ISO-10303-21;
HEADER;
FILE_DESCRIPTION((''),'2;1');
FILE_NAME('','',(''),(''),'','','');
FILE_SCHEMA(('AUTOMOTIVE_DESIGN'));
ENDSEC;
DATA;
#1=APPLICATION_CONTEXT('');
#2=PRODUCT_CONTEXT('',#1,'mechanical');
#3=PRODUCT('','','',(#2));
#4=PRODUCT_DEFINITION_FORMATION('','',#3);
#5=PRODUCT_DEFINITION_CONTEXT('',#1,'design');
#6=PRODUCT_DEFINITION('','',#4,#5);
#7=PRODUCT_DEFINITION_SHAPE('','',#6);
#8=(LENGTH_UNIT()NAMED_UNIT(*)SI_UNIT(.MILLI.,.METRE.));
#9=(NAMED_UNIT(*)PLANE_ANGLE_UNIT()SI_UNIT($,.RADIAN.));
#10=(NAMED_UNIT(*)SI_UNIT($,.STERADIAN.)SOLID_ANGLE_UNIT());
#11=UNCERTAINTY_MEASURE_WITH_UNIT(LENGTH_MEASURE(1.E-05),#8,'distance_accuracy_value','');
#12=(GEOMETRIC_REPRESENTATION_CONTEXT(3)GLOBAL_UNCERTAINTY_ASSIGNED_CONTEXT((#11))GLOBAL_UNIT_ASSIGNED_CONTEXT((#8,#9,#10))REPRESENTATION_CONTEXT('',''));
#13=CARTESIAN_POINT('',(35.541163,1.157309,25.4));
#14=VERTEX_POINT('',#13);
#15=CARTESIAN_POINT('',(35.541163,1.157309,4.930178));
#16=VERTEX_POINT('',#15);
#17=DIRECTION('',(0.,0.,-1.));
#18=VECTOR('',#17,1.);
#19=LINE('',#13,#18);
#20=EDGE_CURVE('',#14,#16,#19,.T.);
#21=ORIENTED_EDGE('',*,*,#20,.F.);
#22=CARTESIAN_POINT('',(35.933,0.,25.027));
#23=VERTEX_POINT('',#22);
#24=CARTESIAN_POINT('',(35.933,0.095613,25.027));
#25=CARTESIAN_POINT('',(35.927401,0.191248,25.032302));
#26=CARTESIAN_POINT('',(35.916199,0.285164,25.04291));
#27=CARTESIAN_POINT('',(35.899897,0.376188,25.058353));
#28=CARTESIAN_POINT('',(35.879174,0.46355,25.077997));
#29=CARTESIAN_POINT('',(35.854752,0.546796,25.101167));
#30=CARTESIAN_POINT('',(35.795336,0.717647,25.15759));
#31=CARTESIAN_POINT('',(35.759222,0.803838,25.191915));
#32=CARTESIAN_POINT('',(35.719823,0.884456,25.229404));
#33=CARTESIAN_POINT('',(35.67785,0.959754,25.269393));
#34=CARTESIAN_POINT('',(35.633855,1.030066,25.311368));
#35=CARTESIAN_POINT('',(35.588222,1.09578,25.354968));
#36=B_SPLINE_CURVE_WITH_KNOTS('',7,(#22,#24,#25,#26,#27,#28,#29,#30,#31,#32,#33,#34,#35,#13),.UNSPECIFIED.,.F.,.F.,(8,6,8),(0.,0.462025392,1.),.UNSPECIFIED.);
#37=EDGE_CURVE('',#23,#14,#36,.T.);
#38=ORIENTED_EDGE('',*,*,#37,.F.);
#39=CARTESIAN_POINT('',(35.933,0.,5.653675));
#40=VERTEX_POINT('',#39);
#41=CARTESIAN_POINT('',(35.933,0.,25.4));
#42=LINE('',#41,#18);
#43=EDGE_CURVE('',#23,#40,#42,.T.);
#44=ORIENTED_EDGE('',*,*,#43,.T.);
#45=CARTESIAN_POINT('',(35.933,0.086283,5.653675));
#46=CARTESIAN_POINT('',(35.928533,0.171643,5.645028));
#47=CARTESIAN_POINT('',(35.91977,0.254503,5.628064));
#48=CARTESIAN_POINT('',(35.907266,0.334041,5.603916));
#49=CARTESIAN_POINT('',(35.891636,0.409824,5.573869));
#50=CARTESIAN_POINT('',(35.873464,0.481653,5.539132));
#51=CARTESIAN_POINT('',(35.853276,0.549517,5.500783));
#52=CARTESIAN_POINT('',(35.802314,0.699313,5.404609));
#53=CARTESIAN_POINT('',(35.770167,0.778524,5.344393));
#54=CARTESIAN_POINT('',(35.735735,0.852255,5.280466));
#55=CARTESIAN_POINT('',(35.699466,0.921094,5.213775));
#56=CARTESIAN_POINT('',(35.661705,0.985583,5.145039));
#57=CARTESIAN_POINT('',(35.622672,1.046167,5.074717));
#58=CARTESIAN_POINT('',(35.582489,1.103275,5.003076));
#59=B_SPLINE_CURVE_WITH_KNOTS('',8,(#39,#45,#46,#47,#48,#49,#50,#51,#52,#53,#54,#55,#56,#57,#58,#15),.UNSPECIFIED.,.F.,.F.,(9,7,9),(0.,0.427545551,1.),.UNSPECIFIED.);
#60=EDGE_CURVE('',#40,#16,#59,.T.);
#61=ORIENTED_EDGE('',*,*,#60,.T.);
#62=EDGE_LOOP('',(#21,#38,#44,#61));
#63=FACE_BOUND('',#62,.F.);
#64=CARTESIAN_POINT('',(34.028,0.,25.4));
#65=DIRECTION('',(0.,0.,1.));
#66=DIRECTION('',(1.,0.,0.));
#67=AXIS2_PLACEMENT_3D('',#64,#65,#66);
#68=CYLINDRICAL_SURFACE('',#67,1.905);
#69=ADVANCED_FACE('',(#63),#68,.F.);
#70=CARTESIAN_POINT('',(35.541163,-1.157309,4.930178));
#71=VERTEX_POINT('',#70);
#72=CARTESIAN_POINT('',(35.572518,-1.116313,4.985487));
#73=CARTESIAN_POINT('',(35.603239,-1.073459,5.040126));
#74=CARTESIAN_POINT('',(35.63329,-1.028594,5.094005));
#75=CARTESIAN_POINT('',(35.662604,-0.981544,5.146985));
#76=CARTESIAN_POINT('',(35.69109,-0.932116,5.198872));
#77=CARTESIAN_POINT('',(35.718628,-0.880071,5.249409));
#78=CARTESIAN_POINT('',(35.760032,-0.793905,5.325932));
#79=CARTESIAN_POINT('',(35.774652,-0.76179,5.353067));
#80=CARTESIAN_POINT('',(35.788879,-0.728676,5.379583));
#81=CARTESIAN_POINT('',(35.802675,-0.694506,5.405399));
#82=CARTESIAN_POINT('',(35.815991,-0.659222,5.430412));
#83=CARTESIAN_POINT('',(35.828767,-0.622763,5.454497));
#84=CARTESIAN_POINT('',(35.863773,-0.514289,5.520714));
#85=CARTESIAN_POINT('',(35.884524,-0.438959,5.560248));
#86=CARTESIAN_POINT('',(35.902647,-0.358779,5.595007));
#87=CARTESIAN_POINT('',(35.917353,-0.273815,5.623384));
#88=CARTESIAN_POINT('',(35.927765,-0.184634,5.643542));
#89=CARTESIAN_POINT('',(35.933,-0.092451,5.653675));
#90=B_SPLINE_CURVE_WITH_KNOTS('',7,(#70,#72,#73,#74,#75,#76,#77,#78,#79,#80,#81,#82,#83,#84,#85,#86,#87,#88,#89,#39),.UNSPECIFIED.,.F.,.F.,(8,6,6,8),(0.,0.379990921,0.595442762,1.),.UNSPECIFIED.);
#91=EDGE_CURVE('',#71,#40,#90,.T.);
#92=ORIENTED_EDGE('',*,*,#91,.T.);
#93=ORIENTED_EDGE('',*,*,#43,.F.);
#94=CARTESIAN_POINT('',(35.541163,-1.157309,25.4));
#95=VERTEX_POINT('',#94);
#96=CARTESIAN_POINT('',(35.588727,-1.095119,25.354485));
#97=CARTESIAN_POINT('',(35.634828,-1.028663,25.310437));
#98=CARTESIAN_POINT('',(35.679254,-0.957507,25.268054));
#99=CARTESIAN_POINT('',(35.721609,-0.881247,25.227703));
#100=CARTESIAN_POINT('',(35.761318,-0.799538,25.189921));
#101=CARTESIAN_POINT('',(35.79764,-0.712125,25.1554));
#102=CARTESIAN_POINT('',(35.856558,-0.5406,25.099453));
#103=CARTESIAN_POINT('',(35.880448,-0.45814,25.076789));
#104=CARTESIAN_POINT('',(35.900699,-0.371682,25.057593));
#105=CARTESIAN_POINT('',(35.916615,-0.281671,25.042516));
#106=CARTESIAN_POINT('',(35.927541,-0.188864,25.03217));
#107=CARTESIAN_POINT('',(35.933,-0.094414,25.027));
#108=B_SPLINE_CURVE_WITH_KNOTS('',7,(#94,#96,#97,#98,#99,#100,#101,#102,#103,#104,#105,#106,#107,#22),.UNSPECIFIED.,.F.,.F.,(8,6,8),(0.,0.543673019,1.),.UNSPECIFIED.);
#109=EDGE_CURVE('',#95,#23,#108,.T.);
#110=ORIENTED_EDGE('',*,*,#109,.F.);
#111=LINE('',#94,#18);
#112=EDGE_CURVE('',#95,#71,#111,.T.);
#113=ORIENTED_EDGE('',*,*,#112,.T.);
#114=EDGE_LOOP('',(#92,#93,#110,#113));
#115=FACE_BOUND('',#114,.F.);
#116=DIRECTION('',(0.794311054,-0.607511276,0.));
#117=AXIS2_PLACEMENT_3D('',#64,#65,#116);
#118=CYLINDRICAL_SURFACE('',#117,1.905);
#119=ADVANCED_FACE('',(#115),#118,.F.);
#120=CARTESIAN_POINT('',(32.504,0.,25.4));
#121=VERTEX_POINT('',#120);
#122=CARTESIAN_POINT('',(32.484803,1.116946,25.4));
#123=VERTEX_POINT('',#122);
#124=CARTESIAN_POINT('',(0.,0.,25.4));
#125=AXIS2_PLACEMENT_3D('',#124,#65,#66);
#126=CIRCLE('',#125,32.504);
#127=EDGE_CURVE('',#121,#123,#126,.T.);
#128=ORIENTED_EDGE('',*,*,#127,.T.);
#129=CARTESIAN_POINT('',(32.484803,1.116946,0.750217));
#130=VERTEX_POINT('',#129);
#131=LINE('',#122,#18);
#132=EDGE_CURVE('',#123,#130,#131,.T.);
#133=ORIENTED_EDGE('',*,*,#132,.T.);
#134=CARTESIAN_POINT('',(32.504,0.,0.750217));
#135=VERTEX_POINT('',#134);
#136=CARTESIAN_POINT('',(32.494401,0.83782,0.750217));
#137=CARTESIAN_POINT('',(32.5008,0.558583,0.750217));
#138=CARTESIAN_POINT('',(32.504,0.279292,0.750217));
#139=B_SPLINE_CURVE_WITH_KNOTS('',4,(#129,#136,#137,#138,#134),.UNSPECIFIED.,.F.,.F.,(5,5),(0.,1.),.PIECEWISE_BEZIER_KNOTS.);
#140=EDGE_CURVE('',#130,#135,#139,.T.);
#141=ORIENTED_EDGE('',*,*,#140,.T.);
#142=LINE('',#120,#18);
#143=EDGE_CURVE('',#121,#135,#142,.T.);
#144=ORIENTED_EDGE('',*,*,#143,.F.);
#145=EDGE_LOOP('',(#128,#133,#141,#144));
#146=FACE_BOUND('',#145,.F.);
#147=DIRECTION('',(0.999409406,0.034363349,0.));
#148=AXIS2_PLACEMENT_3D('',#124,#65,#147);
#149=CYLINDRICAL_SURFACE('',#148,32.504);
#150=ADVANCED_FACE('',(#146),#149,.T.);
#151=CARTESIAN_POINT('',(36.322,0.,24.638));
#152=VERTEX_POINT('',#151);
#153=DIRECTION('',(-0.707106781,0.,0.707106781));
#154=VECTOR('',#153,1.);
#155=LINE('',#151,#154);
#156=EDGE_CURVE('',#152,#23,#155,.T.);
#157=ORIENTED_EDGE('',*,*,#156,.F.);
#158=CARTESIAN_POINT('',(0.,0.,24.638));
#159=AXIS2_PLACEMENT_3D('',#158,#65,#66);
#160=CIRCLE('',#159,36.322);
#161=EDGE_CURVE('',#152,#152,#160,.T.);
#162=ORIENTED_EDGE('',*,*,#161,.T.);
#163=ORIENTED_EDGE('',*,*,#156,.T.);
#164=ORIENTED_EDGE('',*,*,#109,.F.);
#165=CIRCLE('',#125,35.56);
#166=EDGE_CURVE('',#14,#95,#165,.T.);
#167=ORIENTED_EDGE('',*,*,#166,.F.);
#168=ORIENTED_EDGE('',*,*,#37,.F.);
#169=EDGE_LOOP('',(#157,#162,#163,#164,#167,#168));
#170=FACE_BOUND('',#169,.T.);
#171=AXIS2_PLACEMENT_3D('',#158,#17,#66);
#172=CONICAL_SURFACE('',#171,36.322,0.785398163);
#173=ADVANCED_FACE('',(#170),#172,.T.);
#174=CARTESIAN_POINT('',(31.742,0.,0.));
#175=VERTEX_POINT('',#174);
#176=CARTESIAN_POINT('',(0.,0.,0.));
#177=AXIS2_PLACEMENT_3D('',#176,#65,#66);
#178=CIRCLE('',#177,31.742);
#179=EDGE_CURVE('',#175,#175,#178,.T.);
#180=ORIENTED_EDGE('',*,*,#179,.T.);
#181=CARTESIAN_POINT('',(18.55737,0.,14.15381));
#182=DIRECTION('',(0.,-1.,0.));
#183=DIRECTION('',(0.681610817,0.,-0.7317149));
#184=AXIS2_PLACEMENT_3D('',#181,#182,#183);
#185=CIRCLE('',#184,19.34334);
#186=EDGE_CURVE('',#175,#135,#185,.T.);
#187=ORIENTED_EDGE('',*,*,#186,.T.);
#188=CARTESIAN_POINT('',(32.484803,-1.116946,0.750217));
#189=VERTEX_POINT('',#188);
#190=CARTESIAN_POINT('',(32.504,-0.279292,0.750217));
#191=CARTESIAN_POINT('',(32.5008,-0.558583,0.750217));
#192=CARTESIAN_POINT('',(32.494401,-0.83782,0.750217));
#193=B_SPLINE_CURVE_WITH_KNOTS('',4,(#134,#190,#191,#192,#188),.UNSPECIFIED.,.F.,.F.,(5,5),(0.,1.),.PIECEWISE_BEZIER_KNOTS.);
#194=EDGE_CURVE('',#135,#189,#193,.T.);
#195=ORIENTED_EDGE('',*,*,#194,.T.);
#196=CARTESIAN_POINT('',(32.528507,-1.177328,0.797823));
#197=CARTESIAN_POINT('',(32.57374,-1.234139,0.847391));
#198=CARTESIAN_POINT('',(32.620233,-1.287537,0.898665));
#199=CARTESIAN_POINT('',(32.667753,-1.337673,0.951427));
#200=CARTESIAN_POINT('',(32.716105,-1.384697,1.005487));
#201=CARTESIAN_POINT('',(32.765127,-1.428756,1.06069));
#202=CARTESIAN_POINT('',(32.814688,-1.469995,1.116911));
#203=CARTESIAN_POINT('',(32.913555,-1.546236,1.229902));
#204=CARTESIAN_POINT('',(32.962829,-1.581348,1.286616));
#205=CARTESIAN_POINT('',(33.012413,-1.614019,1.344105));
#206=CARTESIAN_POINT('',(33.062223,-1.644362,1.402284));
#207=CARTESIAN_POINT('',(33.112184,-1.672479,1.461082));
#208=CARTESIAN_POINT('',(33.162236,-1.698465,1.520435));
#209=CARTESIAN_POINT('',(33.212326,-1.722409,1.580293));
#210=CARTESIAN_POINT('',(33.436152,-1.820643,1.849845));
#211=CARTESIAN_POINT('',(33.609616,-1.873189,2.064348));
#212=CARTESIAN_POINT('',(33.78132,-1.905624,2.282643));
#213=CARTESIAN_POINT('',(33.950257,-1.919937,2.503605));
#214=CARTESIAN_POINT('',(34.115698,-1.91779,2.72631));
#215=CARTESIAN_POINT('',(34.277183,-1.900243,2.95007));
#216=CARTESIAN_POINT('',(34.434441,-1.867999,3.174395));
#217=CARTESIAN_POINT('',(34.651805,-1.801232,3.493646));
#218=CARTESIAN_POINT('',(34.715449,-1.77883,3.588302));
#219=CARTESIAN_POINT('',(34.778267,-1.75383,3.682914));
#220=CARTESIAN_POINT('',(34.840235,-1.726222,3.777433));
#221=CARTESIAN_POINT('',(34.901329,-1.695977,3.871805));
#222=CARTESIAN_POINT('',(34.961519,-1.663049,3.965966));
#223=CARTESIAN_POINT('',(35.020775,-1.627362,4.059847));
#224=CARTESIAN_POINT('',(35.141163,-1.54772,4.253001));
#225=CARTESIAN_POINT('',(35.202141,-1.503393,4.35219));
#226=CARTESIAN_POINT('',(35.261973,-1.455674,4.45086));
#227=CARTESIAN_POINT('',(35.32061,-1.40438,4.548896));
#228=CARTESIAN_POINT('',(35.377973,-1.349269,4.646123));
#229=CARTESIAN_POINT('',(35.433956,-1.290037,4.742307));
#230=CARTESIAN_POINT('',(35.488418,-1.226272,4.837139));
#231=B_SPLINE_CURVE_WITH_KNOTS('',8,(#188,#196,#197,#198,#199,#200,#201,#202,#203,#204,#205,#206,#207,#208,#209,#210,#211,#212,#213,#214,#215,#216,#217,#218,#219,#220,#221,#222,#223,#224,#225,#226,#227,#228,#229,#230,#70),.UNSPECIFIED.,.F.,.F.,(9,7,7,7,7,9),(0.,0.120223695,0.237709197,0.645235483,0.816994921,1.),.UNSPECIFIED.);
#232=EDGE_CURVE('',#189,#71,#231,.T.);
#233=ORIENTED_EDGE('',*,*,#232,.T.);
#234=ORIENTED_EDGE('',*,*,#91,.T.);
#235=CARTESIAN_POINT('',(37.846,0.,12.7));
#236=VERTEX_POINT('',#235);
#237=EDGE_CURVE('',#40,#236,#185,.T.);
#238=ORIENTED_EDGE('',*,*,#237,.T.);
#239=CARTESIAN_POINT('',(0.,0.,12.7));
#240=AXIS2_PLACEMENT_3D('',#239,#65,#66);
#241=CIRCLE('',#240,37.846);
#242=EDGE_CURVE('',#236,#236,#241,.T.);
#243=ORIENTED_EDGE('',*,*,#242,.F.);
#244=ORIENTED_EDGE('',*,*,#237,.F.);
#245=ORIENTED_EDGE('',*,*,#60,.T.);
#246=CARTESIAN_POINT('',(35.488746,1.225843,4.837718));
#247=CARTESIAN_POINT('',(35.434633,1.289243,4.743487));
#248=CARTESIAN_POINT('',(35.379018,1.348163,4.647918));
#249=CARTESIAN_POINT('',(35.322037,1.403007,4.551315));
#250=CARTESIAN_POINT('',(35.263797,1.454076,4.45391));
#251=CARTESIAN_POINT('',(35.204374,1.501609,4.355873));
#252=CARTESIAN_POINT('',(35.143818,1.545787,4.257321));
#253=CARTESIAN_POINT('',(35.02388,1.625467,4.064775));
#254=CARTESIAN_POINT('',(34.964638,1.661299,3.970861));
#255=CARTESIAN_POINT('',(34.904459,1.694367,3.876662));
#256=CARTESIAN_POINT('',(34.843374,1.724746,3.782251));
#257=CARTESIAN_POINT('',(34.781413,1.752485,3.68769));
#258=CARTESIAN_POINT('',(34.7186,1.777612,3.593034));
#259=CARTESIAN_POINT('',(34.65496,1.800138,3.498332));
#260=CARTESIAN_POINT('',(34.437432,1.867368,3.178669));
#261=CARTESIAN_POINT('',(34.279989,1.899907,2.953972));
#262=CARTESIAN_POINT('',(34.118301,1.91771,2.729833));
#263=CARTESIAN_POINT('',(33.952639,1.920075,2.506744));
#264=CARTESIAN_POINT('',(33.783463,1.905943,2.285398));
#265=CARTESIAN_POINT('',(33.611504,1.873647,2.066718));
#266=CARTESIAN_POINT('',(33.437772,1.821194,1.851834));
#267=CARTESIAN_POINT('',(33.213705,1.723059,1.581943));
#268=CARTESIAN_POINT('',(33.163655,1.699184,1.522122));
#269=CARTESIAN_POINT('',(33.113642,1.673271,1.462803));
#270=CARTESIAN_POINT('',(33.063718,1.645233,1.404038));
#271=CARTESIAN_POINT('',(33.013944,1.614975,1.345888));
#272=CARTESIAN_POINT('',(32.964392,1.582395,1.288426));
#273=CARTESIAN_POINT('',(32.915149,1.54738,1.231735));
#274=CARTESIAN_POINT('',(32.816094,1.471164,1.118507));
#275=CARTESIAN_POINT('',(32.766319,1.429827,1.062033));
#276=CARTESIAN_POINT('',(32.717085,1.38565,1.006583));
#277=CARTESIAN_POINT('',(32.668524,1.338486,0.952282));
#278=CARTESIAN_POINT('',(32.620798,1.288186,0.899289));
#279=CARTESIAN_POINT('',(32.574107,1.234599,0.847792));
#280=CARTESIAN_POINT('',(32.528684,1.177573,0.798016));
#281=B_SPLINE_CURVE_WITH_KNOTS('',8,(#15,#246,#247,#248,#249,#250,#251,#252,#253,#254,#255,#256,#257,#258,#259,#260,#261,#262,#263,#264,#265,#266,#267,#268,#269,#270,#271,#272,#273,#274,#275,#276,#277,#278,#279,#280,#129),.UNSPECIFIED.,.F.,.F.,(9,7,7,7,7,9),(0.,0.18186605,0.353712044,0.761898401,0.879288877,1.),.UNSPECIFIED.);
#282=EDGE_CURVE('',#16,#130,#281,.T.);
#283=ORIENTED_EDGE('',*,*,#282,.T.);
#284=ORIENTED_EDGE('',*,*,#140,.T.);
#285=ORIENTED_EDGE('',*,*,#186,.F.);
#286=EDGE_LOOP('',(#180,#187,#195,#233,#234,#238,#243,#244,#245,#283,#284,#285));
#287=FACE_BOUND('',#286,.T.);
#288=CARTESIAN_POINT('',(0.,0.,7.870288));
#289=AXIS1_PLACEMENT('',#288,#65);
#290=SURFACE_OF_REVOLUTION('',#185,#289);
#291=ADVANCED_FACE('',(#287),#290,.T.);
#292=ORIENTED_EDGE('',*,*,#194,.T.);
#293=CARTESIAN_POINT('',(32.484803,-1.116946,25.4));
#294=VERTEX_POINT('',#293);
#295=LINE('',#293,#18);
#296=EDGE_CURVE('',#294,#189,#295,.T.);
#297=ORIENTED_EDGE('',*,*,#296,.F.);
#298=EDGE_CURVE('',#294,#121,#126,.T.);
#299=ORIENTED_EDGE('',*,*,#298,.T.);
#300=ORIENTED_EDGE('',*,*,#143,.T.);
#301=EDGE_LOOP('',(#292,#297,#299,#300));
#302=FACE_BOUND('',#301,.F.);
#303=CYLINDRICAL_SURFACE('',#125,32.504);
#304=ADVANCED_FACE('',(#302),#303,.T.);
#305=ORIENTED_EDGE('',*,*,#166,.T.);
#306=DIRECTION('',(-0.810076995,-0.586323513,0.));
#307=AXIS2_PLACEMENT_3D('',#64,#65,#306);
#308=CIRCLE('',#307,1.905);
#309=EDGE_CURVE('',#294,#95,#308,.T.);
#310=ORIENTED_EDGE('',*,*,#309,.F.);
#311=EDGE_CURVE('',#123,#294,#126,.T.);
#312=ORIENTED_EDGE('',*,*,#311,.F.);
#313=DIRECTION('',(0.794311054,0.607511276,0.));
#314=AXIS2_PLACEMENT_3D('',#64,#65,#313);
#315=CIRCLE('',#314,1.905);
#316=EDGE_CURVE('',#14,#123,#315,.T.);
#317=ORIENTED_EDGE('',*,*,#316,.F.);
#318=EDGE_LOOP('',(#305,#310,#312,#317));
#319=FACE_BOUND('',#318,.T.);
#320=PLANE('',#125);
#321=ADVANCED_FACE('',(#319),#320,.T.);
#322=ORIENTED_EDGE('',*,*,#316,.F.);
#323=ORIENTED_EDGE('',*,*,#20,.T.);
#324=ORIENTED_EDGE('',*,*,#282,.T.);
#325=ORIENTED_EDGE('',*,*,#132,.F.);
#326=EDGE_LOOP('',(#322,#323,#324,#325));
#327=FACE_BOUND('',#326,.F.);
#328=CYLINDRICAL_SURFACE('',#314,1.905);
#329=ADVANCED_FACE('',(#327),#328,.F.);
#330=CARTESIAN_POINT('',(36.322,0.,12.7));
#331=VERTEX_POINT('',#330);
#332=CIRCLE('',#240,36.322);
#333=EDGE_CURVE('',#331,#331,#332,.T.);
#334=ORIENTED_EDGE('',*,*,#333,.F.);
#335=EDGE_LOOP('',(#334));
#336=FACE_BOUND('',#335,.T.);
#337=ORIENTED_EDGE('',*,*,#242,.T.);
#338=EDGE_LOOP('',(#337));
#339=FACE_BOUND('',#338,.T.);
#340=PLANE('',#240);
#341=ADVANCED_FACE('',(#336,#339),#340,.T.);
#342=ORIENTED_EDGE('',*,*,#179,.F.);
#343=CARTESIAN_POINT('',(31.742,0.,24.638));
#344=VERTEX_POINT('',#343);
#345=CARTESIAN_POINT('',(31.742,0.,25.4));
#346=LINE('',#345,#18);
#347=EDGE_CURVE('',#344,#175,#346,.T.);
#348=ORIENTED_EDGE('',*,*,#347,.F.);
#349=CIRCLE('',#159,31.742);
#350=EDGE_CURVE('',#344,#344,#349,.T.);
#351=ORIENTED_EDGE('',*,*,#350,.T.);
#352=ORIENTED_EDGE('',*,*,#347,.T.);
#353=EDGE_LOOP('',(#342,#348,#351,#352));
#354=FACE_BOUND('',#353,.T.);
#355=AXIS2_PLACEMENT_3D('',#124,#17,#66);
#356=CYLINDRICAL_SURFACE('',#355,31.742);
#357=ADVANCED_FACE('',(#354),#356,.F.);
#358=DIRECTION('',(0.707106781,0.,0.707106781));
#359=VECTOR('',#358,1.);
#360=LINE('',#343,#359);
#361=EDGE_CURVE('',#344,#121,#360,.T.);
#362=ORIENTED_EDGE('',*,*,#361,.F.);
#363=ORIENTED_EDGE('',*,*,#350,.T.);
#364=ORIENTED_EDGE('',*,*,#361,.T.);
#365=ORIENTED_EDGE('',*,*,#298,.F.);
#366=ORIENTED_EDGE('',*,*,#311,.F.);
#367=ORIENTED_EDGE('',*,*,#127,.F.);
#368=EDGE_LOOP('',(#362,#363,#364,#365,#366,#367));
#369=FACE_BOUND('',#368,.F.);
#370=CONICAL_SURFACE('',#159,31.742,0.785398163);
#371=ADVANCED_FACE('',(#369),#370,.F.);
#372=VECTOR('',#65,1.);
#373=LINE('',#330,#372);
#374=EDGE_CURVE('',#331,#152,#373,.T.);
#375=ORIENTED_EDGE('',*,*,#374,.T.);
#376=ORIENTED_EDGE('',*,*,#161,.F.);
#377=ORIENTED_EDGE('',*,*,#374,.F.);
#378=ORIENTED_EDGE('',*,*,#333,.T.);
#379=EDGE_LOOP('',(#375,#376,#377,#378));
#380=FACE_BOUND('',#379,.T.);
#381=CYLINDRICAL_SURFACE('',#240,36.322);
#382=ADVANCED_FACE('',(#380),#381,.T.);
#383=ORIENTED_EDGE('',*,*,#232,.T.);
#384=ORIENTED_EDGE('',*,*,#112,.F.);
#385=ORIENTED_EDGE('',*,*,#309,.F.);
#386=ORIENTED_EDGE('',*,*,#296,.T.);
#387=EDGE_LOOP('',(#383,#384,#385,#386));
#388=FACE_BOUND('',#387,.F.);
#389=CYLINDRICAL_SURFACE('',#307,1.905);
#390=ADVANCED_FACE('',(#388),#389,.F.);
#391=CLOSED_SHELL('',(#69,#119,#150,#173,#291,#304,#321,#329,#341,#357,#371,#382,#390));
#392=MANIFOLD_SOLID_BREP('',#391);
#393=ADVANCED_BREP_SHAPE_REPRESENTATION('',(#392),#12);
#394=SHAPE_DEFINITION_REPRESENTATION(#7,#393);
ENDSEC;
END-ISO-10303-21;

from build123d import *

# Parameters (mm, degrees)
F2_SIZE  = 0.762
F4_DEPTH = 25.4


with BuildPart() as f1:
    # F0 (on Front) → F1 (revolve)
    with BuildSketch(Plane.XZ):
        with BuildLine():
            Line((31.742, 25.4), (31.742, 0))
            ThreePointArc((31.742, 0), (35.9915506311, 5.7744213345), (37.846, 12.7))
            Line((37.846, 12.7), (36.322, 12.7))
            Line((36.322, 12.7), (36.322, 25.4))
            Line((36.322, 25.4), (31.742, 25.4))
        make_face()
    revolve(axis=Axis((0, 0, 7.8702876784), (0, 0, 1)))

    # F2
    f2_edges = [f1.edges().sort_by_distance(p)[0] for p in [
        (-31.742, 0, 25.4),
        (-36.322, 0, 25.4),
    ]]
    chamfer(f2_edges, length=F2_SIZE)

    # F3 (on face) → F4 (cut)
    with BuildSketch(Plane.XY.offset(25.4)):
        with BuildLine():
            ThreePointArc((35.56, 0), (35.5552903274, 0.5787311389), (35.5411625573, 1.15730898))
            ThreePointArc((35.5411625573, 1.15730898), (34.002844509, 1.9048339039), (32.4848033237, 1.1169462916))
            ThreePointArc((32.4848033237, 1.1169462916), (32.4992004766, 0.5585556218), (32.504, 0))
            ThreePointArc((32.504, 0), (32.4992004766, -0.5585556218), (32.4848033237, -1.1169462916))
            ThreePointArc((32.4848033237, -1.1169462916), (34.002844509, -1.9048339039), (35.5411625573, -1.15730898))
            ThreePointArc((35.5411625573, -1.15730898), (35.5552903274, -0.5787311389), (35.56, 0))
        make_face()
        with BuildLine():
            ThreePointArc((35.5411625573, -1.15730898), (35.8323835058, -0.6109215696), (35.933, 0))
            ThreePointArc((35.933, 0), (35.8323835058, 0.6109215696), (35.5411625573, 1.15730898))
            ThreePointArc((35.5411625573, 1.15730898), (35.5552903274, 0.5787311389), (35.56, 0))
            ThreePointArc((35.56, 0), (35.5552903274, -0.5787311389), (35.5411625573, -1.15730898))
        make_face()
    extrude(amount=-F4_DEPTH, mode=Mode.SUBTRACT)


solid = f1.part
